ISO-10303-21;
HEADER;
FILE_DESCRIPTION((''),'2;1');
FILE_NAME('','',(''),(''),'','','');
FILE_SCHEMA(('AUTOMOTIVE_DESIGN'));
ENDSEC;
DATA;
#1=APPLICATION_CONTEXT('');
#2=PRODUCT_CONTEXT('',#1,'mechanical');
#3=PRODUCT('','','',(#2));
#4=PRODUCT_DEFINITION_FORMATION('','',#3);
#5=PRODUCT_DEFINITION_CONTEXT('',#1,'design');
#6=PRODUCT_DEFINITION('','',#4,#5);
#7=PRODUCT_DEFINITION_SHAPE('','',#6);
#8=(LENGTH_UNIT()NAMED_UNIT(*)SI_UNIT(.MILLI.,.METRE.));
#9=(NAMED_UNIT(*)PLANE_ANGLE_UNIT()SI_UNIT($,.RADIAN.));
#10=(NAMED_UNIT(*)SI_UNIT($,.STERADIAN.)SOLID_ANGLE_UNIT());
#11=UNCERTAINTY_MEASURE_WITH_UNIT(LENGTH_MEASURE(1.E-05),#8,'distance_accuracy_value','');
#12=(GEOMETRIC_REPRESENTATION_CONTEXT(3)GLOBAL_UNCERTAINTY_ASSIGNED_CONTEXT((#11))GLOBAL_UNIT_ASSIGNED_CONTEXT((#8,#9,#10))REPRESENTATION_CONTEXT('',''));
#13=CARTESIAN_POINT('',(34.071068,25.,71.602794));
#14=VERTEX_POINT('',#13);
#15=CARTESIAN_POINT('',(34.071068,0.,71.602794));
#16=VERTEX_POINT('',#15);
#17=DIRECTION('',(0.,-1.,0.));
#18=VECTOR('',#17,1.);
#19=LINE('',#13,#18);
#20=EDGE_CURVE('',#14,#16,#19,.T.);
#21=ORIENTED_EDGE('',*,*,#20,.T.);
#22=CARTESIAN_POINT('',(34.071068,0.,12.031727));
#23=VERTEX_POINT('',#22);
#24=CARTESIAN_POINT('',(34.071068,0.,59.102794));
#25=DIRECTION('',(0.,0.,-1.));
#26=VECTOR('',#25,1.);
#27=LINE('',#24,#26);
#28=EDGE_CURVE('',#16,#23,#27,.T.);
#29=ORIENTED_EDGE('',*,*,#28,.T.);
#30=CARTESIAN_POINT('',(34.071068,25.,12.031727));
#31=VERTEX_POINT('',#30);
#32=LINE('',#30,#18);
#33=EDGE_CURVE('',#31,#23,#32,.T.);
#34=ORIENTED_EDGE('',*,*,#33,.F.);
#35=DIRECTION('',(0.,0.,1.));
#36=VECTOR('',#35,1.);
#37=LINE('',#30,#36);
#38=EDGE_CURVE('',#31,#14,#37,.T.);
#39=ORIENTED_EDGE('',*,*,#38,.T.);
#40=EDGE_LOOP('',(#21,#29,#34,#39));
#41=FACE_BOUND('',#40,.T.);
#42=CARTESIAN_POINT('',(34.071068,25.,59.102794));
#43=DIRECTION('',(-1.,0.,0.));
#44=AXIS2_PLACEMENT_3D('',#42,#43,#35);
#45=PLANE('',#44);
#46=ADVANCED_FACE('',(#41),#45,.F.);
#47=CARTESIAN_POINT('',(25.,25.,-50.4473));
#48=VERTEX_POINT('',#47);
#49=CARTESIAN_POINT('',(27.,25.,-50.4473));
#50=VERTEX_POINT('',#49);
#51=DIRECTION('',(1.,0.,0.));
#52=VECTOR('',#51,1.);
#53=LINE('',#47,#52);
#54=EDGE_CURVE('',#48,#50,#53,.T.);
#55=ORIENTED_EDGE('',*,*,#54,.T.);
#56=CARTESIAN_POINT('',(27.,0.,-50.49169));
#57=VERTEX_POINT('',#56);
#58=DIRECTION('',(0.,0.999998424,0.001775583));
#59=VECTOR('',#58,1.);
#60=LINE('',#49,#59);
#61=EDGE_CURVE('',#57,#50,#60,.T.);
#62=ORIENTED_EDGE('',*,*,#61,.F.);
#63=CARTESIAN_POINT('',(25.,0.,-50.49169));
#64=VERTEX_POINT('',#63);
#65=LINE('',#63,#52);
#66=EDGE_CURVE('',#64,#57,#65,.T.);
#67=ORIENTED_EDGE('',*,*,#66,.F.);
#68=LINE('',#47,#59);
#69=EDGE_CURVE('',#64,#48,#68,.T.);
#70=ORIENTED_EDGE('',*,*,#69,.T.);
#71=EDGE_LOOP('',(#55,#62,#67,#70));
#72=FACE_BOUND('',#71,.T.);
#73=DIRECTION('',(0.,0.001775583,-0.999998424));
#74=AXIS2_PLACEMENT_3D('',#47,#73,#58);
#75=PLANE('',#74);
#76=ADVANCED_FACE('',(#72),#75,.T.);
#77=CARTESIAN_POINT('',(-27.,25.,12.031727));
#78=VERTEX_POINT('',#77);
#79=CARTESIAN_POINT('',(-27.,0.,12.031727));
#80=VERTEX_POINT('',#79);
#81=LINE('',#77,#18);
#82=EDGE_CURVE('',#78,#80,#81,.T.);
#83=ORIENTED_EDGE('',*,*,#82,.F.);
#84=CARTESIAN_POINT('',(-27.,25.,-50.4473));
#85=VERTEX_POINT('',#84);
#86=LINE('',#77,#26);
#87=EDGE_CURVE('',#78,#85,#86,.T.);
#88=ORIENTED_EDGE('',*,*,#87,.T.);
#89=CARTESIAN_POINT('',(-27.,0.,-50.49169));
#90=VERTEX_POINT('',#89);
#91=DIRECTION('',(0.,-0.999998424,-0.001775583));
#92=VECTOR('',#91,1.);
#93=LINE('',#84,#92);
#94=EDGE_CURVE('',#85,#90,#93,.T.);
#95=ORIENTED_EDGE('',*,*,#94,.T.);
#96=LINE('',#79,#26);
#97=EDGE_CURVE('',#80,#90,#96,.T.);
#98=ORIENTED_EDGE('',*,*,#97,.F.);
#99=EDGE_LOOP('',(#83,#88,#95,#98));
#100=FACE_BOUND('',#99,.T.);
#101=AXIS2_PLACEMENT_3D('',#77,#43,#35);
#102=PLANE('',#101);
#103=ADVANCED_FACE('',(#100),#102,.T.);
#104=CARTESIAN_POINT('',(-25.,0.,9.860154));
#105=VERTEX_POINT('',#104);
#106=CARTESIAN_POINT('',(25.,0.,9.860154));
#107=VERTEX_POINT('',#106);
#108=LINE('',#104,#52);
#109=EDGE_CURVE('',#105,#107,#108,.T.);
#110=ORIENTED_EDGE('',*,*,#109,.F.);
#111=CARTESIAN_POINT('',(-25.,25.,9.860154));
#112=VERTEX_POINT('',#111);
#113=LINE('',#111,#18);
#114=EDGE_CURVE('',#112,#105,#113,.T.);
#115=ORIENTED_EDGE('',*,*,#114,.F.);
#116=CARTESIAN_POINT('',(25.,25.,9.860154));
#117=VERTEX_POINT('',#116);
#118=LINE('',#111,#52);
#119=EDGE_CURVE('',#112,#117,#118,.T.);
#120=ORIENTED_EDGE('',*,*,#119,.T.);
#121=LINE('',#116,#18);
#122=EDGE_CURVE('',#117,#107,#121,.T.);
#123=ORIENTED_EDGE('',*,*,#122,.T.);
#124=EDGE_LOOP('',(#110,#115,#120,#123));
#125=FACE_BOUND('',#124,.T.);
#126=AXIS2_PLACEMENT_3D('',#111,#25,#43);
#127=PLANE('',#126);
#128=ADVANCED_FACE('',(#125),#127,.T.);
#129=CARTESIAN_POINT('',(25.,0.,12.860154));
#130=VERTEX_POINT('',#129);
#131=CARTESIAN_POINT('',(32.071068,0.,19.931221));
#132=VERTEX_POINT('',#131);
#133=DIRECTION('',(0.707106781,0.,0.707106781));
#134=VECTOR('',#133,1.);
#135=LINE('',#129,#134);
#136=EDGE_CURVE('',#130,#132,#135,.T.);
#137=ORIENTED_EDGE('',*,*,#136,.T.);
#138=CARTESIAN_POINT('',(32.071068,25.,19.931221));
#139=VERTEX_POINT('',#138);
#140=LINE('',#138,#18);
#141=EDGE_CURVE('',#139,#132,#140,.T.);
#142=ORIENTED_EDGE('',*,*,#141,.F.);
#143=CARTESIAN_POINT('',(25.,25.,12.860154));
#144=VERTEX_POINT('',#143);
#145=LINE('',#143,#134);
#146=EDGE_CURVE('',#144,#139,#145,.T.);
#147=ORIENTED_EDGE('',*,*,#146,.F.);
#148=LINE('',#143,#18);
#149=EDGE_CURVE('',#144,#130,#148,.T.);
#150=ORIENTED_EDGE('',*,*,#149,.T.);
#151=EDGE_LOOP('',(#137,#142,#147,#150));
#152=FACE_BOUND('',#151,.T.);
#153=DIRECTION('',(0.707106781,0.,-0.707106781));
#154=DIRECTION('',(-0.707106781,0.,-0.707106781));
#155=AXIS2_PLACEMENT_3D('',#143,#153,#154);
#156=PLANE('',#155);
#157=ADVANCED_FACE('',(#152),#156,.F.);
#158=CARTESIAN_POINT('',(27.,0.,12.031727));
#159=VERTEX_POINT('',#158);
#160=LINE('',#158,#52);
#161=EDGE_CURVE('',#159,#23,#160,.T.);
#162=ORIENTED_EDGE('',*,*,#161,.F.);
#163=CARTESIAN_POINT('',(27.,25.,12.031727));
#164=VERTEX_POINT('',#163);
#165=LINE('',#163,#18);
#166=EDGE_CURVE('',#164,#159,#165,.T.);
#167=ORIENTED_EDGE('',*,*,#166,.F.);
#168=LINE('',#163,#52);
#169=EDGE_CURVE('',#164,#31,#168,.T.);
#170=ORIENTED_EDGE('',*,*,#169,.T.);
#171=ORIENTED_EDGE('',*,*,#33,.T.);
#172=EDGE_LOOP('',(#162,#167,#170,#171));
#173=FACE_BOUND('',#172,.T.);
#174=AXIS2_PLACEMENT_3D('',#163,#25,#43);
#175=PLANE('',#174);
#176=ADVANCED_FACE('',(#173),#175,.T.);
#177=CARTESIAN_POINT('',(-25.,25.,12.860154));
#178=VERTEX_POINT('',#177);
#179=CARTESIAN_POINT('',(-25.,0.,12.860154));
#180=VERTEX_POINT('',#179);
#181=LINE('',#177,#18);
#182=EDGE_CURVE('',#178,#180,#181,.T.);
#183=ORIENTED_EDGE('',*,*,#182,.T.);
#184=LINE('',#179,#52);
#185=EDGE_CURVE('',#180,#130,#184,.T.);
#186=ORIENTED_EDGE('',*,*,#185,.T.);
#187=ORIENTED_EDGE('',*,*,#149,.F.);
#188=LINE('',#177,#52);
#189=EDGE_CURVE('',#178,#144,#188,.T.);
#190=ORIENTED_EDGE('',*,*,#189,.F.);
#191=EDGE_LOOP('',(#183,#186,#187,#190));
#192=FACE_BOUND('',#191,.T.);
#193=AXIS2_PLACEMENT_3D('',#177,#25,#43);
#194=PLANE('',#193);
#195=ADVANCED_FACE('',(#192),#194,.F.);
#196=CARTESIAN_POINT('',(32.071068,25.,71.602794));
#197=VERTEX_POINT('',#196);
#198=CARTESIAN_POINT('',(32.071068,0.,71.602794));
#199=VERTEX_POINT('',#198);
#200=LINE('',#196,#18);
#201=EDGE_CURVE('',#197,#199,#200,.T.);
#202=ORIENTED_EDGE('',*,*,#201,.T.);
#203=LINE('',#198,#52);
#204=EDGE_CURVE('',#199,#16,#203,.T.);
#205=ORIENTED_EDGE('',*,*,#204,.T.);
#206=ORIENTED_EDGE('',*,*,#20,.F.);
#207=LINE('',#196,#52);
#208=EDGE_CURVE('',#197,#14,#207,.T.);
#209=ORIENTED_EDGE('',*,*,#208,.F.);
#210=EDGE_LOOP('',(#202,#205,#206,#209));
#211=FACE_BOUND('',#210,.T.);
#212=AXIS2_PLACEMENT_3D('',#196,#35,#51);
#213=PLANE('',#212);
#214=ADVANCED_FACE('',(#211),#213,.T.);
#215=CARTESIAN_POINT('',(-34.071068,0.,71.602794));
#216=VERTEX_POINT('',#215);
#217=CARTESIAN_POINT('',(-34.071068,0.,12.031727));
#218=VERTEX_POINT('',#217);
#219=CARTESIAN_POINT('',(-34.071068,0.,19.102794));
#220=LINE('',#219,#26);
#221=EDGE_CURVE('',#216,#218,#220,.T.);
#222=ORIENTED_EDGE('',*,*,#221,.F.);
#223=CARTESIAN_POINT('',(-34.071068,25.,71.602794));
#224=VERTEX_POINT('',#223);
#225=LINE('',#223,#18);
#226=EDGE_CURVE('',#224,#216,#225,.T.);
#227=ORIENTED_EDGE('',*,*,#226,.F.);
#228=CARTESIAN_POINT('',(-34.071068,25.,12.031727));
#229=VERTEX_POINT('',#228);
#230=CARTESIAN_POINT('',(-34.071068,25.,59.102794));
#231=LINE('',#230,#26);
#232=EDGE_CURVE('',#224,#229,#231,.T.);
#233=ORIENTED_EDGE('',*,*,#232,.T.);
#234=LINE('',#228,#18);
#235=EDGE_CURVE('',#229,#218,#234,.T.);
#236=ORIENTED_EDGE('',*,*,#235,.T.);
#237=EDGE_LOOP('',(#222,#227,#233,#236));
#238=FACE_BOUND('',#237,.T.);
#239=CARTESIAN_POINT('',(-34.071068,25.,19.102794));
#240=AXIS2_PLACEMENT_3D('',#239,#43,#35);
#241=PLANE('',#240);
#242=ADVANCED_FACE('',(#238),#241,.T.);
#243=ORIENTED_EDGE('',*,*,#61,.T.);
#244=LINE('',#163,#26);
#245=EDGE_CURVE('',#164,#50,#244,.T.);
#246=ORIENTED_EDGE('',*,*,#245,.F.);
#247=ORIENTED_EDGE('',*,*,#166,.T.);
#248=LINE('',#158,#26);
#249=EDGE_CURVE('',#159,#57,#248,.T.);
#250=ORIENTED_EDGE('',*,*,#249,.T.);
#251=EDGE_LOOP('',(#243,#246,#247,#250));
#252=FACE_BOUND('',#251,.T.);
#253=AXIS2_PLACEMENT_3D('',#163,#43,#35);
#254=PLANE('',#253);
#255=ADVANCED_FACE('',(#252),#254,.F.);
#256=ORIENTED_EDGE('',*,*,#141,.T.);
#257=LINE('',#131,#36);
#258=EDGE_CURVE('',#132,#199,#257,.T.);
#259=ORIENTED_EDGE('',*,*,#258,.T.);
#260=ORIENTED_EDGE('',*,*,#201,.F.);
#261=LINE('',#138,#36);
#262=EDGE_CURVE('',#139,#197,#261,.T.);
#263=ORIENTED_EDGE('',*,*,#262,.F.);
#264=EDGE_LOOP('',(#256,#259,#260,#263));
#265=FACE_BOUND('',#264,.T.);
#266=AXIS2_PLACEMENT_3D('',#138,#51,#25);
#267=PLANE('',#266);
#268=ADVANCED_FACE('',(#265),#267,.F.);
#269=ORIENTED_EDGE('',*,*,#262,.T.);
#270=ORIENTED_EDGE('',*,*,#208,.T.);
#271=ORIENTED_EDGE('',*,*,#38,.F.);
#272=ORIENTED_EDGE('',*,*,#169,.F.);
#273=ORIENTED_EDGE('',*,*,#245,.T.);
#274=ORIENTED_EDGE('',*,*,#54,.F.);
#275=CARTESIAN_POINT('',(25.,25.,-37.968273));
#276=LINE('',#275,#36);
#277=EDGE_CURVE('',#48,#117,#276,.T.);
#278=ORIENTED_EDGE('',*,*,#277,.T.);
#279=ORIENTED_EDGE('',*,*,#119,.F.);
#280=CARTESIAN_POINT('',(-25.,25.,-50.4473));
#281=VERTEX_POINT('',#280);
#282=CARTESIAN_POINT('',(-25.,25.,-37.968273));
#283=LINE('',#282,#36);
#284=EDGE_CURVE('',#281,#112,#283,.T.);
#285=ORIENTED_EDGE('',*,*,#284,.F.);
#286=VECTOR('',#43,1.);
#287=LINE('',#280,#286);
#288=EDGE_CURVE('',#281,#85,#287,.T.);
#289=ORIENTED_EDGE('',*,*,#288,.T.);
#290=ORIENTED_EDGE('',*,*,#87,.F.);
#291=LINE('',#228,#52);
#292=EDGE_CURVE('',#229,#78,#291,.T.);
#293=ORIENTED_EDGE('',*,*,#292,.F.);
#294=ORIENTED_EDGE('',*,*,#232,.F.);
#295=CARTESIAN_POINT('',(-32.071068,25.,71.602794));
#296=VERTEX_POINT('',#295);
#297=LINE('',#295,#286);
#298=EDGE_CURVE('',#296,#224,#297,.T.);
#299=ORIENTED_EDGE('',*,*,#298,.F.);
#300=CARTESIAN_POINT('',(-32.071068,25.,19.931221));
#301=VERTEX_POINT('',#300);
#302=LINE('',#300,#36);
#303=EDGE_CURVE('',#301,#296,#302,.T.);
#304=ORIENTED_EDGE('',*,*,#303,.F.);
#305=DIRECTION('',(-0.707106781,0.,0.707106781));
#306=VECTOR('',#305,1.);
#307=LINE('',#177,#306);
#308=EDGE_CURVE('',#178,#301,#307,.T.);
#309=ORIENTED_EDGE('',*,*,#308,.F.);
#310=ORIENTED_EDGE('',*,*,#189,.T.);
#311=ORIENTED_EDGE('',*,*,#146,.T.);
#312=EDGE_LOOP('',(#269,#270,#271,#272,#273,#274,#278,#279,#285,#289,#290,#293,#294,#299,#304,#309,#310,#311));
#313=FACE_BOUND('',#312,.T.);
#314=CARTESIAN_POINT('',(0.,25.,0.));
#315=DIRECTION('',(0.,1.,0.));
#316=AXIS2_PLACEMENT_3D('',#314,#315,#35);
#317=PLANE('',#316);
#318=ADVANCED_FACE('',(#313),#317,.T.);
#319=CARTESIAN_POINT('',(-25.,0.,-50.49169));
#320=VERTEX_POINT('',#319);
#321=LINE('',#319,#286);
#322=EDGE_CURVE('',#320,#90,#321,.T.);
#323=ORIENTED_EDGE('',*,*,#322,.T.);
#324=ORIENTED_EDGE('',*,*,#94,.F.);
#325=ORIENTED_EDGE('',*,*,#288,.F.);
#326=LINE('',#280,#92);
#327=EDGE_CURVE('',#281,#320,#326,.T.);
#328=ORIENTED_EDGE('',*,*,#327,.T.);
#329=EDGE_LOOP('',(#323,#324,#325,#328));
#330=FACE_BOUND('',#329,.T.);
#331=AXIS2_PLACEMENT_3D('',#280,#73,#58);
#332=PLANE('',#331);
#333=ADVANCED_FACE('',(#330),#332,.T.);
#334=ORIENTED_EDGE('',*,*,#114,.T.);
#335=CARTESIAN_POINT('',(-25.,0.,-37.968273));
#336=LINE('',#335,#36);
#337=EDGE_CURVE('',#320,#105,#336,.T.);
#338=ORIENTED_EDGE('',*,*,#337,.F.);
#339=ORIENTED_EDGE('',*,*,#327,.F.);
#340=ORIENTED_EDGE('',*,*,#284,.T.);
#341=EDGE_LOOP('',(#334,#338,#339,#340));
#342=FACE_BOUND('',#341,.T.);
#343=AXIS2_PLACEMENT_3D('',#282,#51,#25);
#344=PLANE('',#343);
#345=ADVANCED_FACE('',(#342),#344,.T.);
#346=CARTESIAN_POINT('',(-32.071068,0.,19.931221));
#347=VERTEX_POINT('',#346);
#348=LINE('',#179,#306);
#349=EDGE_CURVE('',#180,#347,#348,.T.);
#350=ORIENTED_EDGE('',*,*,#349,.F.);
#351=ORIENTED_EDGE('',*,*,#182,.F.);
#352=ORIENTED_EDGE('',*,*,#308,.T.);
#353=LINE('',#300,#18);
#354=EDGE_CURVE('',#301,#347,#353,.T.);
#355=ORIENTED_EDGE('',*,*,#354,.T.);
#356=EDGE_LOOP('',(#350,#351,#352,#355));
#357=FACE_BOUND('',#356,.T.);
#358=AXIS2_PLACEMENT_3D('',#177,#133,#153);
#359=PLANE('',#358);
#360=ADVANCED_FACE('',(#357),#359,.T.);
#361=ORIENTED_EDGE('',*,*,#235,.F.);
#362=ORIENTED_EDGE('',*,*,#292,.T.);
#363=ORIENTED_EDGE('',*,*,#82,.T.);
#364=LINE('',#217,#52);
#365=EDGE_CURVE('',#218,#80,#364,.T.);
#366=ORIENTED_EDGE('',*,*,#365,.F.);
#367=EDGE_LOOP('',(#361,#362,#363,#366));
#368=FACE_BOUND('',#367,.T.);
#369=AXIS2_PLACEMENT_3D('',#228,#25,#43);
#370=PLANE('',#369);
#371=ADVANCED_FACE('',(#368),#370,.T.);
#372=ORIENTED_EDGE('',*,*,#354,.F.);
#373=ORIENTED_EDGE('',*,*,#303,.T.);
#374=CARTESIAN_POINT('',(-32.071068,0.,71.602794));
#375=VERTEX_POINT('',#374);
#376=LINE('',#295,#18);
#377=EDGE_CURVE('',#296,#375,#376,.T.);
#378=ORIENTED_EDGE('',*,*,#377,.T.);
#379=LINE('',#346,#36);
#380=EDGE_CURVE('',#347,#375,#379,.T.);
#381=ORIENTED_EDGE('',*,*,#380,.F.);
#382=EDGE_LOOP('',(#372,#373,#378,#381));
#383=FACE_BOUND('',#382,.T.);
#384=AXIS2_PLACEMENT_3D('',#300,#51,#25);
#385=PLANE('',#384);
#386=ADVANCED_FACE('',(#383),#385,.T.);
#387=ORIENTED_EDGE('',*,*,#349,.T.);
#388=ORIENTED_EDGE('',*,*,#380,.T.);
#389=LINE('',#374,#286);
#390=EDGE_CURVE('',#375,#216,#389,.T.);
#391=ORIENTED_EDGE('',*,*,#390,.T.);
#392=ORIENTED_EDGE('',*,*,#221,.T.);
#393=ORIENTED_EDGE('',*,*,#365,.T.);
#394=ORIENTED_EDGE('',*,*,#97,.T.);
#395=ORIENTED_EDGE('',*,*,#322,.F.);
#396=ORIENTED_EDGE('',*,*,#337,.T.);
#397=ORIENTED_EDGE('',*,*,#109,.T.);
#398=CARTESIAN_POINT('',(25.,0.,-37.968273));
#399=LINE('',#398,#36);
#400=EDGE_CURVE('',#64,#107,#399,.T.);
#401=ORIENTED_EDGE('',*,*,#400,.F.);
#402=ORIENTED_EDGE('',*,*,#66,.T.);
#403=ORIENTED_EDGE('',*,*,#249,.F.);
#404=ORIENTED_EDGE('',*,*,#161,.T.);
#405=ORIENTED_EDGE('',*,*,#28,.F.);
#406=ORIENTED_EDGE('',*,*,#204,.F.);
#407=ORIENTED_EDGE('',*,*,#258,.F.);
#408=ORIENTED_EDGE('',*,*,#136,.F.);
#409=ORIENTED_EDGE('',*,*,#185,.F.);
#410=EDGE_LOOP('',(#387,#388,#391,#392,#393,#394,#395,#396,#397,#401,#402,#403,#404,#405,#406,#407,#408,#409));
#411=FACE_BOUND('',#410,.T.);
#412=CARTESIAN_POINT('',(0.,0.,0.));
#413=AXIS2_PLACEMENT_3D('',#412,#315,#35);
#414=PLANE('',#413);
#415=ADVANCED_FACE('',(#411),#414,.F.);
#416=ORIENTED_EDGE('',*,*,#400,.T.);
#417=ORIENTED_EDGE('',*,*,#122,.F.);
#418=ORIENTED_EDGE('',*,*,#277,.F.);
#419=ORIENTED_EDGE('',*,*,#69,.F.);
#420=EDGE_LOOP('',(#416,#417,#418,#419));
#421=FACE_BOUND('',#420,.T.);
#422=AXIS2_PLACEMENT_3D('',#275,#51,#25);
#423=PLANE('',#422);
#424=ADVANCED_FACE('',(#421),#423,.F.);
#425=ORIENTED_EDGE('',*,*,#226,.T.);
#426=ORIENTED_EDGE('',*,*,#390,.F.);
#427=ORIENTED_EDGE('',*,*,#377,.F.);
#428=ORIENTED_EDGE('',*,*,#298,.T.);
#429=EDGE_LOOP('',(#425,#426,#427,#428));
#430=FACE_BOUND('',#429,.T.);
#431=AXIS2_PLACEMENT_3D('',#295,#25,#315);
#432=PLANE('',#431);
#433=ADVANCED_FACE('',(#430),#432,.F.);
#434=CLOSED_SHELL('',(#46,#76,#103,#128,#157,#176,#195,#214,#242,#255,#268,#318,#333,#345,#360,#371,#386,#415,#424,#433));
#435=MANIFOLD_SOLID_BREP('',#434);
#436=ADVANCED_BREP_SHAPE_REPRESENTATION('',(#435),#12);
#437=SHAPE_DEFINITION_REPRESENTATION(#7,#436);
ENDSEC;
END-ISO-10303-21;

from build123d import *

# Parameters (mm, degrees)
BOSS_EXTRU_1_DEPTH = 25
BOSS_EXTRU_2_DEPTH = 2
BOSS_EXTRU_3_DEPTH = 2
BOSS_EXTRU_5_DEPTH = 2
ESQUISSE4_W        = 12.5
ESQUISSE4_H        = 25
BOSS_EXTRU_6_DEPTH = 2


with BuildPart() as part:
    # Esquisse1 → Boss.-Extru.1 (new body)
    with BuildSketch(Plane(origin=(0, 0, 0), x_dir=(1, 0, 0), z_dir=(0, 1, 0))):
        Polygon((-34.071067812, -19.102794325), (-34.071067812, -12.031726513), (-27, -12.031726513), (-27, 37.968273487), (-25, 37.968273487), (-25, -9.860153638), (25, -9.860153638), (25, 37.968273487), (27, 37.968273487), (27, -12.031726513), (34.071067812, -12.031726513), (34.071067812, -19.102794325), (34.071067812, -59.102794325), (32.071067812, -59.102794325), (32.071067812, -19.93122145), (25, -12.860153638), (-25, -12.860153638), (-32.071067812, -19.93122145), (-32.071067812, -59.102794325), (-34.071067812, -59.102794325), align=None)
    extrude(amount=BOSS_EXTRU_1_DEPTH)

    # Esquisse2 → Boss.-Extru.2 (add)
    with BuildSketch(Plane(origin=(34.071067812, 0, 0), x_dir=(0, 0, -1), z_dir=(1, 0, 0))):
        Polygon((-59.102794325, 25), (-71.602794325, 25), (-71.602794325, 0), (-59.102794325, 0), (-12.031726513, 0), (-12.031726513, 25), align=None)
    extrude(amount=-BOSS_EXTRU_2_DEPTH)

    # Esquisse3 → Boss.-Extru.3 (add)
    with BuildSketch(Plane(origin=(27, 0, 0), x_dir=(0, 0, -1), z_dir=(1, 0, 0))):
        Polygon((37.947300388, 25), (50.447300388, 25), (50.491690046, 0), (37.947300388, 0), align=None)
    extrude(amount=-BOSS_EXTRU_3_DEPTH)

    # Esquisse5 → Boss.-Extru.5 (add)
    with BuildSketch(Plane.ZY.offset(27)):
        Polygon((-37.968273487, 0), (-37.968273487, 25), (-50.447300388, 25), (-50.491690046, 0), align=None)
    extrude(amount=-BOSS_EXTRU_5_DEPTH)

    # Esquisse4 → Boss.-Extru.6 (add)
    with BuildSketch(Plane.ZY.offset(34.071067812)):
        with Locations((65.352794325, 12.5)):
            Rectangle(ESQUISSE4_W, ESQUISSE4_H)
    extrude(amount=-BOSS_EXTRU_6_DEPTH)


solid = part.part
